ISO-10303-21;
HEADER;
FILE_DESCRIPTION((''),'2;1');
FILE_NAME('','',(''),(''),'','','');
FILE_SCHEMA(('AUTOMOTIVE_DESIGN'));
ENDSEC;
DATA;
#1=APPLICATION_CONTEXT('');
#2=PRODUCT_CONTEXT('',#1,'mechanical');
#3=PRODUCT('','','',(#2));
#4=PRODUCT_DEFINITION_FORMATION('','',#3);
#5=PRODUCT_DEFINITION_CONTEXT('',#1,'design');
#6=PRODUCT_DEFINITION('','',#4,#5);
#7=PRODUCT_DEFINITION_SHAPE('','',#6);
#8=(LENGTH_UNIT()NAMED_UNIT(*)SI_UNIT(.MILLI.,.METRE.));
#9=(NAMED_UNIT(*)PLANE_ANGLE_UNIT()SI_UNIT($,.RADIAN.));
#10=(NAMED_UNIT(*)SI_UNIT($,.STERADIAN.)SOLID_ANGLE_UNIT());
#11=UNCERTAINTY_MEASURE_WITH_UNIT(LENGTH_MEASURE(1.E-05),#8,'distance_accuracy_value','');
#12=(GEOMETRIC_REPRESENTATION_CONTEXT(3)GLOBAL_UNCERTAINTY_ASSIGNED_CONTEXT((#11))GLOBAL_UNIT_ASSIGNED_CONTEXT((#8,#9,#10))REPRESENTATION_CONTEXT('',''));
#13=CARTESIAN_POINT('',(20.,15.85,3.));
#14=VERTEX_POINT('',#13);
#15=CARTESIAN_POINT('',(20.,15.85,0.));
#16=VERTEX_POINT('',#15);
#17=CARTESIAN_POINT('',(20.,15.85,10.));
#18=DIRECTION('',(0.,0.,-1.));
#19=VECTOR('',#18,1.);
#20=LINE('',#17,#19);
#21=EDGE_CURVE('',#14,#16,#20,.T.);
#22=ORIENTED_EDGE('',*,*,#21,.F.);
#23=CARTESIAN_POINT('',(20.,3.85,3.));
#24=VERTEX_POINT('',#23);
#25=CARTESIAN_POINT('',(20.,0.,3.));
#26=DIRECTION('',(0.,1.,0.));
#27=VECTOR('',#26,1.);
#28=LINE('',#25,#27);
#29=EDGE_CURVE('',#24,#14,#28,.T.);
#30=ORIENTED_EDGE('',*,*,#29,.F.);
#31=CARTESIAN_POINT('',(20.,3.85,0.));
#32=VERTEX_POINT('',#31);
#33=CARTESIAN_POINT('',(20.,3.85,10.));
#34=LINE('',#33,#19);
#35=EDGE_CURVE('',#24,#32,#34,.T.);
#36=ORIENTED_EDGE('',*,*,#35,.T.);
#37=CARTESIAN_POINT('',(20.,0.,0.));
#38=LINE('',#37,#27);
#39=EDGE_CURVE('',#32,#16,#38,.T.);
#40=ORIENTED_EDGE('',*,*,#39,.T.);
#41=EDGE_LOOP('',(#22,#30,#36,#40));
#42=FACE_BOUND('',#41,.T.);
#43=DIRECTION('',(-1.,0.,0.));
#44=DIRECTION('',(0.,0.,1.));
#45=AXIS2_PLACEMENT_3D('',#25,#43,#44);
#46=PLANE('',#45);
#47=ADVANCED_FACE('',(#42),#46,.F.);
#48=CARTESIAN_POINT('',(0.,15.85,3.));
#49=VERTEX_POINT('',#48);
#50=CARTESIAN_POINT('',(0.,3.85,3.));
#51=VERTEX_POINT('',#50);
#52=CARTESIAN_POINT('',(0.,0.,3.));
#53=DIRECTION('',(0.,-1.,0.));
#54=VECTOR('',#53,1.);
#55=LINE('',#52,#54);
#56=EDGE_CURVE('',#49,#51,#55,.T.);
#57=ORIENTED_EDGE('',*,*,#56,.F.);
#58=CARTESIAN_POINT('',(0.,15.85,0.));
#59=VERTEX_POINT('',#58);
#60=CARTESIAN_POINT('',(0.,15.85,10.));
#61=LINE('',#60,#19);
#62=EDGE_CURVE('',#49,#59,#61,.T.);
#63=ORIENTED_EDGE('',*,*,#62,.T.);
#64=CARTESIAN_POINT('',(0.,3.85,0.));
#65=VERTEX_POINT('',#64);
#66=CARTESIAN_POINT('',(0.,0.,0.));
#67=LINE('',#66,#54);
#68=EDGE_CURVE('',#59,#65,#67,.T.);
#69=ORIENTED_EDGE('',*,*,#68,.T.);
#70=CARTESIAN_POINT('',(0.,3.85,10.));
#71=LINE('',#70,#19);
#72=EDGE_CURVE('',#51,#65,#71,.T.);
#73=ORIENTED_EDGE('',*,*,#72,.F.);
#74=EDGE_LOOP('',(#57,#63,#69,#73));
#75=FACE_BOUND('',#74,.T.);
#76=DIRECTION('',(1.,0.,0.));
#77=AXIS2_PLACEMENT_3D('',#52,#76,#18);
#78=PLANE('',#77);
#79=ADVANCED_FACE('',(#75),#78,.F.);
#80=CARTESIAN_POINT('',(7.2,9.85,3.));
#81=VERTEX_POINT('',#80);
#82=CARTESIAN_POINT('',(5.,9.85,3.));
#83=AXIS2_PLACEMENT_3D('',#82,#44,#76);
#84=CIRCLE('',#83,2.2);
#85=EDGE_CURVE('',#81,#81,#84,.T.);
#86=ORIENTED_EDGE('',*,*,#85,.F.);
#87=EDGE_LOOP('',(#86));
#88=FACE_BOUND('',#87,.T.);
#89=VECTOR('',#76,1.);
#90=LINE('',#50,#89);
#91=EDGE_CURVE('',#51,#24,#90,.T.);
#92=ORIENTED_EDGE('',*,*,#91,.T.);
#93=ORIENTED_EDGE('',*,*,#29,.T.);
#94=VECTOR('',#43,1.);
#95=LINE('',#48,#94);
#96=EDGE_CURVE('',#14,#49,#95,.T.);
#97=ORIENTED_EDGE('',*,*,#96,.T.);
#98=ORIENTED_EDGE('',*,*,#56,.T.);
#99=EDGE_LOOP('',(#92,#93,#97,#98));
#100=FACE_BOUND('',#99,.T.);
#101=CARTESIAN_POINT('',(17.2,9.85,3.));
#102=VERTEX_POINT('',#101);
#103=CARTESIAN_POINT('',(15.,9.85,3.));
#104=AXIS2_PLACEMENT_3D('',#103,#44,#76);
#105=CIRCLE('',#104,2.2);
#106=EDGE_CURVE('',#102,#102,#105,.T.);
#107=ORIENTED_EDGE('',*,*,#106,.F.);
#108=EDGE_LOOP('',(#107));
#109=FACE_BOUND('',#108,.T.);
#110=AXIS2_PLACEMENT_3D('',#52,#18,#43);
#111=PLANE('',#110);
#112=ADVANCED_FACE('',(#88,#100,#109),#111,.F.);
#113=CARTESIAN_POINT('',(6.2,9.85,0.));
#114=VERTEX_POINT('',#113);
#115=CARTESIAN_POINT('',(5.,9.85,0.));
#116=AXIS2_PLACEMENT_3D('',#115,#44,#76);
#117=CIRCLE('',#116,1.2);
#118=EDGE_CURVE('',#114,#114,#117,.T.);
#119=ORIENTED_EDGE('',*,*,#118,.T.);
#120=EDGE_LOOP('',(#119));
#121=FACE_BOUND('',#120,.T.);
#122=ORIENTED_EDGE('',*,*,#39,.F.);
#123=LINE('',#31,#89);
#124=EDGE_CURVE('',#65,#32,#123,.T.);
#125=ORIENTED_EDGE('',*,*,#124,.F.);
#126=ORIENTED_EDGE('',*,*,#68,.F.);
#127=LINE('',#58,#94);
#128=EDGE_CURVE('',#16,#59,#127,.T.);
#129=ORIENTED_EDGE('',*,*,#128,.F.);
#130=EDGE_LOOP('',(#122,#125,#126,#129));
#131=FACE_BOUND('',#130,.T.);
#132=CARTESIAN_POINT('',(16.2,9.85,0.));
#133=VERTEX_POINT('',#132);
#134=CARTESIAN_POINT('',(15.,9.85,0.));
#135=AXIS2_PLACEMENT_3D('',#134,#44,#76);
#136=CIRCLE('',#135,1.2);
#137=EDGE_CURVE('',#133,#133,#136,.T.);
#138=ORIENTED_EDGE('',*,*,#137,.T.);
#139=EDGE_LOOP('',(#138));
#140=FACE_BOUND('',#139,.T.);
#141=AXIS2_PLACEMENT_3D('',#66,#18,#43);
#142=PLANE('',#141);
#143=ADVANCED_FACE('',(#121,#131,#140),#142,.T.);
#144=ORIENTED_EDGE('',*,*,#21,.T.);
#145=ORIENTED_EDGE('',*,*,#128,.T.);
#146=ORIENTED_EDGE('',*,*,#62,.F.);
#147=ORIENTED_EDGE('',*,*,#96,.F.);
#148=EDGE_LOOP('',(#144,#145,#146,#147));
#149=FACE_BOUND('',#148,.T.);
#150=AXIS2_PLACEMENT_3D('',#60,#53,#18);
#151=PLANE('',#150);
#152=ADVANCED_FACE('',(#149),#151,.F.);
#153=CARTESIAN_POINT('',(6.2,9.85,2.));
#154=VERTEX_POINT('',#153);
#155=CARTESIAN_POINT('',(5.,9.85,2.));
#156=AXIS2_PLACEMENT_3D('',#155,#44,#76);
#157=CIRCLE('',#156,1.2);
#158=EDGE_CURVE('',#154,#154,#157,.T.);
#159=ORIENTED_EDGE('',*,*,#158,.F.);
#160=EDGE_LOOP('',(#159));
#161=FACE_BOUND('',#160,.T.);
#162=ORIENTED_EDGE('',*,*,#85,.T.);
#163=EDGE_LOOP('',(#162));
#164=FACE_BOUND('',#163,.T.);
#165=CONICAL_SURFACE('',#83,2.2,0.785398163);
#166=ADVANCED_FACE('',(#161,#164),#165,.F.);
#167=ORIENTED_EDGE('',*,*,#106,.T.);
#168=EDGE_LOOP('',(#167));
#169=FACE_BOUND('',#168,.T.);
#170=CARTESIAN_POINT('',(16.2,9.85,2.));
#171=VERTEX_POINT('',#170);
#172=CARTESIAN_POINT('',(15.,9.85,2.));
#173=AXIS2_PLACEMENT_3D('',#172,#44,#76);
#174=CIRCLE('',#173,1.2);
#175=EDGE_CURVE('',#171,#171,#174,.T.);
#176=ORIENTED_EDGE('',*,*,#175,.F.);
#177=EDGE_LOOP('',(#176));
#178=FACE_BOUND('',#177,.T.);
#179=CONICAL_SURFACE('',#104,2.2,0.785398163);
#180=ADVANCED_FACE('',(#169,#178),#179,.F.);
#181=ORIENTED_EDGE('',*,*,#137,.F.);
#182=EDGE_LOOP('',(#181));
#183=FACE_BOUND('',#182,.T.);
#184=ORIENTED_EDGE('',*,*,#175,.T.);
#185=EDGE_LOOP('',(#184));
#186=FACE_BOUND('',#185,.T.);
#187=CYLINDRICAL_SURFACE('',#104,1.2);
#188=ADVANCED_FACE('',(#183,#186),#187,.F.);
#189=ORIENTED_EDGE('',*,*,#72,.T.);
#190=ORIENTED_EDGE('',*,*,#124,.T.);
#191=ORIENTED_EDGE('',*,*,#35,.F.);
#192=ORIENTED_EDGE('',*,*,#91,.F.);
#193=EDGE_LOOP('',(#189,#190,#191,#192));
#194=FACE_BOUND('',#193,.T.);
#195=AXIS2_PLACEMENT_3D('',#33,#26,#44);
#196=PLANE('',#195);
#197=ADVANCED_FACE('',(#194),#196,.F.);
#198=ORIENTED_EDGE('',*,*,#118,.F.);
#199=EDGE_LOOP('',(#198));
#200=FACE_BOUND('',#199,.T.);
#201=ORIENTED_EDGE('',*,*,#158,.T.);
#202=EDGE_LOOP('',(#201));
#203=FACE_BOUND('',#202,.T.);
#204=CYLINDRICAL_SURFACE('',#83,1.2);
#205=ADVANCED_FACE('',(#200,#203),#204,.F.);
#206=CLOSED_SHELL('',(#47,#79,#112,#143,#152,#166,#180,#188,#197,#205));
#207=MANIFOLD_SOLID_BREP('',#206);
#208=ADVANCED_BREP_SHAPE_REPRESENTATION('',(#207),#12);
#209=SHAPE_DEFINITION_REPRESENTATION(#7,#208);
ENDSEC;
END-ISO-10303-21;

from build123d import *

# Parameters (mm, degrees)
SCHIZZO1_W                             = 20
SCHIZZO1_H                             = 19.7
ESTRUSIONE_ESTRUSIONE1_DEPTH           = 3
FORO_SVASATO_PER_VITE_M2_2_D           = 2.4
FORO_SVASATO_PER_VITE_M2_2_CSINK_D     = 4.4
FORO_SVASATO_PER_VITE_M2_2_CSINK_ANGLE = 90
SCHIZZO7_W                             = 20
SCHIZZO7_H                             = 3.85
TAGLIO_ESTRUSIONE1_DEPTH               = 10


with BuildPart() as part:
    # Schizzo1 → Estrusione-Estrusione1 (new body)
    with BuildSketch(Plane.XY):
        with Locations((10, 9.85)):
            Rectangle(SCHIZZO1_W, SCHIZZO1_H)
    extrude(amount=ESTRUSIONE_ESTRUSIONE1_DEPTH)

    # Foro svasato per Vite M2-2 (through all)
    with Locations(Plane.XY.offset(3)):
        with Locations((5, 9.85), (15, 9.85)):
            CounterSinkHole(FORO_SVASATO_PER_VITE_M2_2_D / 2, FORO_SVASATO_PER_VITE_M2_2_CSINK_D / 2, counter_sink_angle=FORO_SVASATO_PER_VITE_M2_2_CSINK_ANGLE)

    # Schizzo7 → Taglio-Estrusione1 (cut)
    with BuildSketch(Plane(origin=(0, 0, 0), x_dir=(-1, 0, 0), z_dir=(0, 0, -1))):
        with Locations((-10, 17.775)):
            Rectangle(SCHIZZO7_W, SCHIZZO7_H)
        with Locations((-10, 1.925)):
            Rectangle(SCHIZZO7_W, SCHIZZO7_H)
    extrude(amount=-TAGLIO_ESTRUSIONE1_DEPTH, mode=Mode.SUBTRACT)


solid = part.part
